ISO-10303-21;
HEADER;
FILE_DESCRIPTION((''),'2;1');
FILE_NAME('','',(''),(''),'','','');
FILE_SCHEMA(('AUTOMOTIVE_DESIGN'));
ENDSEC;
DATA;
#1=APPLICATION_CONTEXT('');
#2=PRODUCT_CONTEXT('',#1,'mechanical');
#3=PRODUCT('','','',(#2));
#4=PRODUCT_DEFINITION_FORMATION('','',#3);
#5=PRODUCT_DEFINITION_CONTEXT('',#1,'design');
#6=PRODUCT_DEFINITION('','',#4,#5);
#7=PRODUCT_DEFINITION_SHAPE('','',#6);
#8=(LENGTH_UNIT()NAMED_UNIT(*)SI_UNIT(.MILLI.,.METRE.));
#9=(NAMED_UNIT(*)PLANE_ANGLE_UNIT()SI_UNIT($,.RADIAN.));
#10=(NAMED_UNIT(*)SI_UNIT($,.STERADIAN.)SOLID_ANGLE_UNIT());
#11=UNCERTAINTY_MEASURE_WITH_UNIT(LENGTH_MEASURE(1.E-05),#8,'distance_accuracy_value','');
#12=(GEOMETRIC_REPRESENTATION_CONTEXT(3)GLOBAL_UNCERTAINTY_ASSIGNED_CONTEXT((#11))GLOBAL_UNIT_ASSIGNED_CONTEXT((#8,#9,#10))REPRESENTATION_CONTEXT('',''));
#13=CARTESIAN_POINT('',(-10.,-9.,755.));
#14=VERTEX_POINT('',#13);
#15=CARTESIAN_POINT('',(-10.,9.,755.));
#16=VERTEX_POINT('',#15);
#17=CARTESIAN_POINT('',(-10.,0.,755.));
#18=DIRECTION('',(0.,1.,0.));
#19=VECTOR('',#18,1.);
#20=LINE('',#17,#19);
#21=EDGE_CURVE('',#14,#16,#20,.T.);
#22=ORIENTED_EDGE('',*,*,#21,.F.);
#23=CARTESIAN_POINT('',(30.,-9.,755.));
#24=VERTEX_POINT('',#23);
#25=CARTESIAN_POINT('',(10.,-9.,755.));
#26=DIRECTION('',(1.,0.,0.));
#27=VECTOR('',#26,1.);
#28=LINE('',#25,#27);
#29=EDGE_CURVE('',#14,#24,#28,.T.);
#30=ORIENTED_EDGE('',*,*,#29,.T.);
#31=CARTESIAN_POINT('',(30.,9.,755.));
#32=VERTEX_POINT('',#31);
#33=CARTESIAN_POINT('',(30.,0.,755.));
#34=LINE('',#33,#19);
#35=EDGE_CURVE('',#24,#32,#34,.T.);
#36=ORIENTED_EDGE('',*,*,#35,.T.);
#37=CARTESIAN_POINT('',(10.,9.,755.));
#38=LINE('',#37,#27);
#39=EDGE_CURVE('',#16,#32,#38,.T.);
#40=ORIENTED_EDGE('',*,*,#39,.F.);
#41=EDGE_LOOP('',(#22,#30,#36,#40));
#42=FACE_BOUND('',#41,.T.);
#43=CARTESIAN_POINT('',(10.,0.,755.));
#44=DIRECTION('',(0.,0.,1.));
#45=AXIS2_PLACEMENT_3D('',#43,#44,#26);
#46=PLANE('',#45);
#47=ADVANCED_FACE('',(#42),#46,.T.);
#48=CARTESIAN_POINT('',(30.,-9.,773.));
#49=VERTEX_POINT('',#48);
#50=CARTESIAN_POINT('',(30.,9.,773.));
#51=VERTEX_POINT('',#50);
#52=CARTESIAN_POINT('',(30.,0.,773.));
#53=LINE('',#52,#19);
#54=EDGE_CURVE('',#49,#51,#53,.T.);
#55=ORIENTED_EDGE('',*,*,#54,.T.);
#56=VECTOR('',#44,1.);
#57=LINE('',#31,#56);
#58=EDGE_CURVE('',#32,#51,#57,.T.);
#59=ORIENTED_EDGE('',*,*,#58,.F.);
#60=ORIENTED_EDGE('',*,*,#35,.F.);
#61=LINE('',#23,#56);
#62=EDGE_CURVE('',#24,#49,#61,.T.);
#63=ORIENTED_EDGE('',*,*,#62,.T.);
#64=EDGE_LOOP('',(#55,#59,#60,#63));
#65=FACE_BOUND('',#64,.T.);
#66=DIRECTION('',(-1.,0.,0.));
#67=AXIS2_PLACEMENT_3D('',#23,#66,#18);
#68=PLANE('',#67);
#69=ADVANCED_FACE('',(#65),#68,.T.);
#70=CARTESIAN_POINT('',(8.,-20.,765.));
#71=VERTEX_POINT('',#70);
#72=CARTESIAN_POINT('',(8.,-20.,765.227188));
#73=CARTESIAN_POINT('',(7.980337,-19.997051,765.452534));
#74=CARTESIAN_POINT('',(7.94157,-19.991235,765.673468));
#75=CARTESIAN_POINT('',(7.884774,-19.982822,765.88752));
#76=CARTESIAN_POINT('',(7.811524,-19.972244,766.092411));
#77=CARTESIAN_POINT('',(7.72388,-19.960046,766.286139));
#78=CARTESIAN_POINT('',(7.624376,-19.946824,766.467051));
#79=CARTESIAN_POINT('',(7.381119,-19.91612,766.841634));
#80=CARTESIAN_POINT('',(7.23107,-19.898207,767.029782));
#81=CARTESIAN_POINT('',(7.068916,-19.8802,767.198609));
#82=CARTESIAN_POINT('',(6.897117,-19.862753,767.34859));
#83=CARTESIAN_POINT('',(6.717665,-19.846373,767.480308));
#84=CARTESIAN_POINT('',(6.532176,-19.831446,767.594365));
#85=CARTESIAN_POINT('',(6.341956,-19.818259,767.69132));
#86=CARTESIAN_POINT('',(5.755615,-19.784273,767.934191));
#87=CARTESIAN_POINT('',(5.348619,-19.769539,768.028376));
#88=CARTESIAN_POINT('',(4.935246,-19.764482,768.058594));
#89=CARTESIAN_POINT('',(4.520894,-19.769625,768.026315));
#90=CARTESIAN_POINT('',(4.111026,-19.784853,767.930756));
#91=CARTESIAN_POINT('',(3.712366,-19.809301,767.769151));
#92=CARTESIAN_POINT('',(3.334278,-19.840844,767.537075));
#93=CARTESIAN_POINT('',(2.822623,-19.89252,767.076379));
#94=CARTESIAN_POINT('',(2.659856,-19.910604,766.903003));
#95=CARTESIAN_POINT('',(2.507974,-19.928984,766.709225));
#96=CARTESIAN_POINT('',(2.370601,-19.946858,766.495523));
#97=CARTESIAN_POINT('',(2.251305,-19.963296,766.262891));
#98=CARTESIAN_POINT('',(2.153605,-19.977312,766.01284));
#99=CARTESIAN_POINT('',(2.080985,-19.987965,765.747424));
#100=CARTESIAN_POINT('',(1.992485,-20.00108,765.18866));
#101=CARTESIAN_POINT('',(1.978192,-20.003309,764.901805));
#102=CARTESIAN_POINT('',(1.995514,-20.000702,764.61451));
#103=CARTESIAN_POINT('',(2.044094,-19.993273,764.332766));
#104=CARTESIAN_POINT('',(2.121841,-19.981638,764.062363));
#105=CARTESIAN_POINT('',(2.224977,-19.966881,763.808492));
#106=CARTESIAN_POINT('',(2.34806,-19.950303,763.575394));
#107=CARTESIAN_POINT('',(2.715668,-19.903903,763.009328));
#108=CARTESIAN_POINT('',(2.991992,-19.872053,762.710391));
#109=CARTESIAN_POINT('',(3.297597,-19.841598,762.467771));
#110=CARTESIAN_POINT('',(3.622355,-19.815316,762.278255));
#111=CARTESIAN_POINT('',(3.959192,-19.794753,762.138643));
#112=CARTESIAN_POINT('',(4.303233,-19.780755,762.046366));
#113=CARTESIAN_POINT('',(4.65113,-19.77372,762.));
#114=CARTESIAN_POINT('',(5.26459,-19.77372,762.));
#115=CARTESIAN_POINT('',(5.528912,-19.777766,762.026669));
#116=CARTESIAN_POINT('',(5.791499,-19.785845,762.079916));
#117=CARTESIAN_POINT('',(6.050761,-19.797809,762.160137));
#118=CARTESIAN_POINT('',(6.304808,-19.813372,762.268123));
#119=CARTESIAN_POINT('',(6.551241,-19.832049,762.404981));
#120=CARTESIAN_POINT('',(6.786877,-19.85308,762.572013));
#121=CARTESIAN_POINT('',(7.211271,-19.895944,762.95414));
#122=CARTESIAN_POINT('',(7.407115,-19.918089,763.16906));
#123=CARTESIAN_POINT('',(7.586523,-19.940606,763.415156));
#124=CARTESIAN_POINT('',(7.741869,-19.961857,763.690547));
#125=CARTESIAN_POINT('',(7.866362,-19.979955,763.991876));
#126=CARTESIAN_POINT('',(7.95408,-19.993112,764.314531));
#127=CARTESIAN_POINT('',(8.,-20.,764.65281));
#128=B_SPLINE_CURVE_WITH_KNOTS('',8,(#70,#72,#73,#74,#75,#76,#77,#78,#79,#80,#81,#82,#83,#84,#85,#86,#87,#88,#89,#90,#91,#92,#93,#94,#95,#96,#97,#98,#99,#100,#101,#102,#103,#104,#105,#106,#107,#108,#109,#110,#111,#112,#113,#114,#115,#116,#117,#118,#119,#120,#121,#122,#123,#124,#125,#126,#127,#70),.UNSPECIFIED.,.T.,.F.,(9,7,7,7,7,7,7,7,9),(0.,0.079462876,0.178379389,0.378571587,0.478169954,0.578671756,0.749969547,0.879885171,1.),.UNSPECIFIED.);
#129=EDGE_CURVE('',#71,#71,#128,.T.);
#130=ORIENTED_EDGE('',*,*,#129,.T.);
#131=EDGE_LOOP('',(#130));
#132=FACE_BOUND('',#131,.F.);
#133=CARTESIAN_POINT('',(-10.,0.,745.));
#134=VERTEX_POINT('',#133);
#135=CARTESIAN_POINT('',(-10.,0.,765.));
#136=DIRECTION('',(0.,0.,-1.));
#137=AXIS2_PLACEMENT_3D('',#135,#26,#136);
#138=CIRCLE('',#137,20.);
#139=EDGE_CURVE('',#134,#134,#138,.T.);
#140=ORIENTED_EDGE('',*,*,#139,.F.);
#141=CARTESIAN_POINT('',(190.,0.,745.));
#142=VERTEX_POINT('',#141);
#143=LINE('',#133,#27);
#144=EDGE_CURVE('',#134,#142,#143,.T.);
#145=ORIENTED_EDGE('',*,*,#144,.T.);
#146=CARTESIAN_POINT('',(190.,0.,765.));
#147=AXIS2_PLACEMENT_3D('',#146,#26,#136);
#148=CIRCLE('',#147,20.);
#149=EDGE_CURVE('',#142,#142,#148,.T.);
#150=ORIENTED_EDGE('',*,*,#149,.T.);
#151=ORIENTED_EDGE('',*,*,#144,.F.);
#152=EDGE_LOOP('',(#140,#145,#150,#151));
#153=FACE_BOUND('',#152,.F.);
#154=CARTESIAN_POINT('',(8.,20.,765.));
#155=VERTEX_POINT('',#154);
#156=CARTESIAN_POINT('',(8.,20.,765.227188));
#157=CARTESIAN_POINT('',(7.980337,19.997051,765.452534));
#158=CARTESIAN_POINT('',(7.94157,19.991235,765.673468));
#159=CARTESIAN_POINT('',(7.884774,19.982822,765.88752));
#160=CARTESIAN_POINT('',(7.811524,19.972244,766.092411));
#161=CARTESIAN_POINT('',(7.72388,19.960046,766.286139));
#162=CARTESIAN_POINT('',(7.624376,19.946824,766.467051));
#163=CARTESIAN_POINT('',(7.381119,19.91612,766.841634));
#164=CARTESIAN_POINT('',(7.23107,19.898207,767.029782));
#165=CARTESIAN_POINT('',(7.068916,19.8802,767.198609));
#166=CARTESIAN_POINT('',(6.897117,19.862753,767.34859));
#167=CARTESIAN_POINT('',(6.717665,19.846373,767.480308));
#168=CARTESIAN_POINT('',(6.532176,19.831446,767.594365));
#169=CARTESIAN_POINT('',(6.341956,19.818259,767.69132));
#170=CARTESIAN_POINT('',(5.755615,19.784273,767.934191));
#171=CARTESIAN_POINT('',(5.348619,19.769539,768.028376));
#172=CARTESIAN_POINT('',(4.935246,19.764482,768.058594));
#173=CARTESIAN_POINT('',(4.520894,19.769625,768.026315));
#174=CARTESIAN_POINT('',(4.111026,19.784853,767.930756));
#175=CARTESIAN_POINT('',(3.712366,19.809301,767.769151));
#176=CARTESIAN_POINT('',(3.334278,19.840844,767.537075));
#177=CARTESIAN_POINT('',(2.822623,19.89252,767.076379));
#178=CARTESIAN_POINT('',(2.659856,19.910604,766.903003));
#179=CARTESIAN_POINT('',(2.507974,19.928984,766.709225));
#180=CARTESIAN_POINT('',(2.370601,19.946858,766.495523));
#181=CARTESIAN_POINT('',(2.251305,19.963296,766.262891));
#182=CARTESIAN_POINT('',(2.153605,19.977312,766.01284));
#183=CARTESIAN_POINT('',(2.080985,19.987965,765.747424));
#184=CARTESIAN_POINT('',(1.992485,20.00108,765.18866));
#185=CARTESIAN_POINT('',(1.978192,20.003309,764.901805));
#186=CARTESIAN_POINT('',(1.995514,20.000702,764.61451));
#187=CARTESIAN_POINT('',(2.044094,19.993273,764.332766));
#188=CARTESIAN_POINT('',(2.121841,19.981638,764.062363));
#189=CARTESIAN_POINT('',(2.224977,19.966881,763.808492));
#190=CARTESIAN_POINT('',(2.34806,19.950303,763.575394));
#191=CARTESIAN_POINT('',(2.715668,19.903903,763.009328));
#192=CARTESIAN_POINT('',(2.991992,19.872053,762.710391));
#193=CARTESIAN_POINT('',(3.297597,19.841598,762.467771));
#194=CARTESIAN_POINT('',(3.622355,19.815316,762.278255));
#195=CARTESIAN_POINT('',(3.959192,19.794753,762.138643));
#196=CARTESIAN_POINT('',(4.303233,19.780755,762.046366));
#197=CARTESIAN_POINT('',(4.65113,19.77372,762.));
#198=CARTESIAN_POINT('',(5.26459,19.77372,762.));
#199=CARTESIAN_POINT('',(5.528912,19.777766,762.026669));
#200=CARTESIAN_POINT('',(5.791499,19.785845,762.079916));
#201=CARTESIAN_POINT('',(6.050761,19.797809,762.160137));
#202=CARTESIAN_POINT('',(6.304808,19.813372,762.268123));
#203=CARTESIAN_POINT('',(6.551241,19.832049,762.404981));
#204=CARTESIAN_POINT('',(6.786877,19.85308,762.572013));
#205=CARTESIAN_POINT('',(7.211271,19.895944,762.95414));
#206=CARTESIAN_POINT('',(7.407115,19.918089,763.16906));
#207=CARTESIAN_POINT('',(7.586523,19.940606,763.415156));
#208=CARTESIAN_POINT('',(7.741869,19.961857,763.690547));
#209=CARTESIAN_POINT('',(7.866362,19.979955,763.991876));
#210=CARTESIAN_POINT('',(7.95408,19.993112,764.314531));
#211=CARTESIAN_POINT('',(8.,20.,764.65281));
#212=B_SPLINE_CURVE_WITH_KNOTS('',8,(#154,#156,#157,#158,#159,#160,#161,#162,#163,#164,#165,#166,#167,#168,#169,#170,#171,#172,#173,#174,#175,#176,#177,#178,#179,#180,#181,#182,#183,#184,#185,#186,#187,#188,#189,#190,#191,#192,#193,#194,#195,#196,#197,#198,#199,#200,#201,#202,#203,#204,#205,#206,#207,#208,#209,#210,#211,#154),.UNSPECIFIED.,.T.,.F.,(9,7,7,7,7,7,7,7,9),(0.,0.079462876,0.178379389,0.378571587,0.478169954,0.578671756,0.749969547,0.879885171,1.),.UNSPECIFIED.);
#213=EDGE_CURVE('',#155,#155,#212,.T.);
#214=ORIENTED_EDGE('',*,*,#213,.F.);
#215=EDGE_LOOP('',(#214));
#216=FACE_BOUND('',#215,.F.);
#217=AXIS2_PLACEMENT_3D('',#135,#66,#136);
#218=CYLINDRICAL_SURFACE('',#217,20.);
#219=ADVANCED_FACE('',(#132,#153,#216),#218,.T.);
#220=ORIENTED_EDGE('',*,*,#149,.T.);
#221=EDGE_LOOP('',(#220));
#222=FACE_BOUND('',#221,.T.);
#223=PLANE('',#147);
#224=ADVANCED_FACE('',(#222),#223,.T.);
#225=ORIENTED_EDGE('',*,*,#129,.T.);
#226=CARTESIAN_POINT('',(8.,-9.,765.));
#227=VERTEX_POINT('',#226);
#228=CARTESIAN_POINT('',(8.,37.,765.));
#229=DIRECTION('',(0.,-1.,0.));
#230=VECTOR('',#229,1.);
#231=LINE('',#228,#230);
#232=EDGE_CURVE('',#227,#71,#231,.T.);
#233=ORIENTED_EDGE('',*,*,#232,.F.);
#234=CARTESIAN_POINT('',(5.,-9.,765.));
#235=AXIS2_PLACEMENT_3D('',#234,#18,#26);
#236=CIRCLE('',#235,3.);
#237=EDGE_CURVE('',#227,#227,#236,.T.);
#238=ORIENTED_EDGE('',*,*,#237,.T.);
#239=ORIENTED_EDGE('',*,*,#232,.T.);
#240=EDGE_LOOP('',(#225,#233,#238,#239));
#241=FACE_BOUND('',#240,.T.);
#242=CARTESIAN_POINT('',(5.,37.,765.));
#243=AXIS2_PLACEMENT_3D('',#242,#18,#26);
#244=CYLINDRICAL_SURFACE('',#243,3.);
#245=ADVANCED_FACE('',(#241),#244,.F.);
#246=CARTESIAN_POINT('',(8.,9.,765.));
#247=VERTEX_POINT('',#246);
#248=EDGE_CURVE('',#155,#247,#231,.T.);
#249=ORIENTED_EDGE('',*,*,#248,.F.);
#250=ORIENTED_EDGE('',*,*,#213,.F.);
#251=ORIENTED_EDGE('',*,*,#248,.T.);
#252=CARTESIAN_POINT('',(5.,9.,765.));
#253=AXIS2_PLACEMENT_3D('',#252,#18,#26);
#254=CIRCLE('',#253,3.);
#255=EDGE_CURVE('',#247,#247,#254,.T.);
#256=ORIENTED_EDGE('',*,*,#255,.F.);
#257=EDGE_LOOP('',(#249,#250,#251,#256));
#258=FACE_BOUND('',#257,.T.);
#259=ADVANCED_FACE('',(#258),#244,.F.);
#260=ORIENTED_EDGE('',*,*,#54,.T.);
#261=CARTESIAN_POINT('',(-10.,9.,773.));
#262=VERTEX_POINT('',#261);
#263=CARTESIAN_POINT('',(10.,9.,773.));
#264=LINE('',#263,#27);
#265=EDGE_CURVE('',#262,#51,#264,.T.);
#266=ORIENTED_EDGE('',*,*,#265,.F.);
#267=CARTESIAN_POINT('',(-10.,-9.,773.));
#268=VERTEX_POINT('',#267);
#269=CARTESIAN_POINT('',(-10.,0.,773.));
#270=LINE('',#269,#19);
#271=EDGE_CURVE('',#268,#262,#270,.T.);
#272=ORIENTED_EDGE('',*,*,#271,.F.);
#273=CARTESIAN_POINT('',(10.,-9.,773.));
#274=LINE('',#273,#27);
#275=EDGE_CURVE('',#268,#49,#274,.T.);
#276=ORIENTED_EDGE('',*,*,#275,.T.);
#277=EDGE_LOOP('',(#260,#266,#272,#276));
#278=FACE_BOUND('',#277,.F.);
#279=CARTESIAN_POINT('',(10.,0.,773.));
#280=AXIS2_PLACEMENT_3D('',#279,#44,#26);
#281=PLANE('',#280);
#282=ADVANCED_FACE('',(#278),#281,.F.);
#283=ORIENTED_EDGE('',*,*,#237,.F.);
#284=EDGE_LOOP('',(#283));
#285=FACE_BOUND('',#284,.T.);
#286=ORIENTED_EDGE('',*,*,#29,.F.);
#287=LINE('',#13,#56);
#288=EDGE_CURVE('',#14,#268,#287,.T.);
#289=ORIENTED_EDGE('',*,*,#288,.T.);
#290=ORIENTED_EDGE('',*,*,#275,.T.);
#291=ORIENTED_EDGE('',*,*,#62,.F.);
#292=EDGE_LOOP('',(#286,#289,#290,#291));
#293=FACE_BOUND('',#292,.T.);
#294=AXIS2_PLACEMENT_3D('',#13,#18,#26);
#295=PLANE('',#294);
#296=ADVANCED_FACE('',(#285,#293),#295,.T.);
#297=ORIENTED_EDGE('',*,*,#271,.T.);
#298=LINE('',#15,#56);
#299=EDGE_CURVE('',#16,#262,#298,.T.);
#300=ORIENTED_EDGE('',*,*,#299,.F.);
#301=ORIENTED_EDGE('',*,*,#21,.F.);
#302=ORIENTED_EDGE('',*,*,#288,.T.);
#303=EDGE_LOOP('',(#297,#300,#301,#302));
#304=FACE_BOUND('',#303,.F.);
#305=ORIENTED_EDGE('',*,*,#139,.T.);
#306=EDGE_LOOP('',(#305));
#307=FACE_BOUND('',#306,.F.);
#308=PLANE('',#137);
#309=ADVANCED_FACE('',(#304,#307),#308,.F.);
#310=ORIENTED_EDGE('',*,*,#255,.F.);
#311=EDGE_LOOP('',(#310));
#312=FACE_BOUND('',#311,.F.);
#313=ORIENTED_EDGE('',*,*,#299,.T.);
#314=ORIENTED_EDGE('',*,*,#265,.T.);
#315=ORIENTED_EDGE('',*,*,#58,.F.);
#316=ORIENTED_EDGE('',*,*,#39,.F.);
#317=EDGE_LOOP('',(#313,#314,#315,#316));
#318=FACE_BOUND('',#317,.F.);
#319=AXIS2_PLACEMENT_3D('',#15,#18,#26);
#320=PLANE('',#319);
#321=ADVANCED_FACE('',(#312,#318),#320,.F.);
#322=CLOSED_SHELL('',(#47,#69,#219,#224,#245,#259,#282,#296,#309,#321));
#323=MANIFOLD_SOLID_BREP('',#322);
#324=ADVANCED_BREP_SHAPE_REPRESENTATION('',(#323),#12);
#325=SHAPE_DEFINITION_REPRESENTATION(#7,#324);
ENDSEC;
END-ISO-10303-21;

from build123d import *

# Parameters (mm, degrees)
CYLINDER137_R          = 3
CYLINDER137_DEPTH      = 60
CYLINDER137_ROLL_ANGLE = 90
BOX079_W               = 40
BOX079_H               = 18
BOX079_DEPTH           = 18
CYLINDER_R             = 20
CYLINDER_DEPTH         = 200
CYLINDER_PITCH_ANGLE   = 90


with BuildPart() as cilindro091:
    # Cylinder137 → Cylinder137 (new body)
    with BuildSketch(Plane.XY):
        Circle(CYLINDER137_R)
    extrude(amount=CYLINDER137_DEPTH)


with BuildPart() as cilindro091_1:
    # Cylinder137 roll: moved
    add(cilindro091.part.rotate(Axis((0, 0, 0), (1, 0, 0)), CYLINDER137_ROLL_ANGLE))


with BuildPart() as cilindro091_2:
    # Cylinder137 placement: moved
    add(cilindro091_1.part.moved(Location((5, 37, 765))))


with BuildPart() as cubo056:
    # Box079 → Box079 (new body)
    with BuildSketch(Plane(origin=(-10, -9, 755), x_dir=(1, 0, 0), z_dir=(0, 0, 1))):
        with Locations((20, 9)):
            Rectangle(BOX079_W, BOX079_H)
    extrude(amount=BOX079_DEPTH)


with BuildPart() as cut144:
    # Cylinder → Cylinder (new body)
    with BuildSketch(Plane.XY):
        Circle(CYLINDER_R)
    extrude(amount=CYLINDER_DEPTH)


with BuildPart() as cut144_1:
    # Cylinder pitch: moved
    add(cut144.part.rotate(Axis((0, 0, 0), (0, 1, 0)), CYLINDER_PITCH_ANGLE))


with BuildPart() as cut144_2:
    # Cylinder placement: moved
    add(cut144_1.part.moved(Location((-10, 0, 765))))

    # Cut143: cut Cubo056
    add(cubo056.part, mode=Mode.SUBTRACT)

    # Cut144: cut Cilindro091
    add(cilindro091_2.part, mode=Mode.SUBTRACT)


solid = cut144_2.part
